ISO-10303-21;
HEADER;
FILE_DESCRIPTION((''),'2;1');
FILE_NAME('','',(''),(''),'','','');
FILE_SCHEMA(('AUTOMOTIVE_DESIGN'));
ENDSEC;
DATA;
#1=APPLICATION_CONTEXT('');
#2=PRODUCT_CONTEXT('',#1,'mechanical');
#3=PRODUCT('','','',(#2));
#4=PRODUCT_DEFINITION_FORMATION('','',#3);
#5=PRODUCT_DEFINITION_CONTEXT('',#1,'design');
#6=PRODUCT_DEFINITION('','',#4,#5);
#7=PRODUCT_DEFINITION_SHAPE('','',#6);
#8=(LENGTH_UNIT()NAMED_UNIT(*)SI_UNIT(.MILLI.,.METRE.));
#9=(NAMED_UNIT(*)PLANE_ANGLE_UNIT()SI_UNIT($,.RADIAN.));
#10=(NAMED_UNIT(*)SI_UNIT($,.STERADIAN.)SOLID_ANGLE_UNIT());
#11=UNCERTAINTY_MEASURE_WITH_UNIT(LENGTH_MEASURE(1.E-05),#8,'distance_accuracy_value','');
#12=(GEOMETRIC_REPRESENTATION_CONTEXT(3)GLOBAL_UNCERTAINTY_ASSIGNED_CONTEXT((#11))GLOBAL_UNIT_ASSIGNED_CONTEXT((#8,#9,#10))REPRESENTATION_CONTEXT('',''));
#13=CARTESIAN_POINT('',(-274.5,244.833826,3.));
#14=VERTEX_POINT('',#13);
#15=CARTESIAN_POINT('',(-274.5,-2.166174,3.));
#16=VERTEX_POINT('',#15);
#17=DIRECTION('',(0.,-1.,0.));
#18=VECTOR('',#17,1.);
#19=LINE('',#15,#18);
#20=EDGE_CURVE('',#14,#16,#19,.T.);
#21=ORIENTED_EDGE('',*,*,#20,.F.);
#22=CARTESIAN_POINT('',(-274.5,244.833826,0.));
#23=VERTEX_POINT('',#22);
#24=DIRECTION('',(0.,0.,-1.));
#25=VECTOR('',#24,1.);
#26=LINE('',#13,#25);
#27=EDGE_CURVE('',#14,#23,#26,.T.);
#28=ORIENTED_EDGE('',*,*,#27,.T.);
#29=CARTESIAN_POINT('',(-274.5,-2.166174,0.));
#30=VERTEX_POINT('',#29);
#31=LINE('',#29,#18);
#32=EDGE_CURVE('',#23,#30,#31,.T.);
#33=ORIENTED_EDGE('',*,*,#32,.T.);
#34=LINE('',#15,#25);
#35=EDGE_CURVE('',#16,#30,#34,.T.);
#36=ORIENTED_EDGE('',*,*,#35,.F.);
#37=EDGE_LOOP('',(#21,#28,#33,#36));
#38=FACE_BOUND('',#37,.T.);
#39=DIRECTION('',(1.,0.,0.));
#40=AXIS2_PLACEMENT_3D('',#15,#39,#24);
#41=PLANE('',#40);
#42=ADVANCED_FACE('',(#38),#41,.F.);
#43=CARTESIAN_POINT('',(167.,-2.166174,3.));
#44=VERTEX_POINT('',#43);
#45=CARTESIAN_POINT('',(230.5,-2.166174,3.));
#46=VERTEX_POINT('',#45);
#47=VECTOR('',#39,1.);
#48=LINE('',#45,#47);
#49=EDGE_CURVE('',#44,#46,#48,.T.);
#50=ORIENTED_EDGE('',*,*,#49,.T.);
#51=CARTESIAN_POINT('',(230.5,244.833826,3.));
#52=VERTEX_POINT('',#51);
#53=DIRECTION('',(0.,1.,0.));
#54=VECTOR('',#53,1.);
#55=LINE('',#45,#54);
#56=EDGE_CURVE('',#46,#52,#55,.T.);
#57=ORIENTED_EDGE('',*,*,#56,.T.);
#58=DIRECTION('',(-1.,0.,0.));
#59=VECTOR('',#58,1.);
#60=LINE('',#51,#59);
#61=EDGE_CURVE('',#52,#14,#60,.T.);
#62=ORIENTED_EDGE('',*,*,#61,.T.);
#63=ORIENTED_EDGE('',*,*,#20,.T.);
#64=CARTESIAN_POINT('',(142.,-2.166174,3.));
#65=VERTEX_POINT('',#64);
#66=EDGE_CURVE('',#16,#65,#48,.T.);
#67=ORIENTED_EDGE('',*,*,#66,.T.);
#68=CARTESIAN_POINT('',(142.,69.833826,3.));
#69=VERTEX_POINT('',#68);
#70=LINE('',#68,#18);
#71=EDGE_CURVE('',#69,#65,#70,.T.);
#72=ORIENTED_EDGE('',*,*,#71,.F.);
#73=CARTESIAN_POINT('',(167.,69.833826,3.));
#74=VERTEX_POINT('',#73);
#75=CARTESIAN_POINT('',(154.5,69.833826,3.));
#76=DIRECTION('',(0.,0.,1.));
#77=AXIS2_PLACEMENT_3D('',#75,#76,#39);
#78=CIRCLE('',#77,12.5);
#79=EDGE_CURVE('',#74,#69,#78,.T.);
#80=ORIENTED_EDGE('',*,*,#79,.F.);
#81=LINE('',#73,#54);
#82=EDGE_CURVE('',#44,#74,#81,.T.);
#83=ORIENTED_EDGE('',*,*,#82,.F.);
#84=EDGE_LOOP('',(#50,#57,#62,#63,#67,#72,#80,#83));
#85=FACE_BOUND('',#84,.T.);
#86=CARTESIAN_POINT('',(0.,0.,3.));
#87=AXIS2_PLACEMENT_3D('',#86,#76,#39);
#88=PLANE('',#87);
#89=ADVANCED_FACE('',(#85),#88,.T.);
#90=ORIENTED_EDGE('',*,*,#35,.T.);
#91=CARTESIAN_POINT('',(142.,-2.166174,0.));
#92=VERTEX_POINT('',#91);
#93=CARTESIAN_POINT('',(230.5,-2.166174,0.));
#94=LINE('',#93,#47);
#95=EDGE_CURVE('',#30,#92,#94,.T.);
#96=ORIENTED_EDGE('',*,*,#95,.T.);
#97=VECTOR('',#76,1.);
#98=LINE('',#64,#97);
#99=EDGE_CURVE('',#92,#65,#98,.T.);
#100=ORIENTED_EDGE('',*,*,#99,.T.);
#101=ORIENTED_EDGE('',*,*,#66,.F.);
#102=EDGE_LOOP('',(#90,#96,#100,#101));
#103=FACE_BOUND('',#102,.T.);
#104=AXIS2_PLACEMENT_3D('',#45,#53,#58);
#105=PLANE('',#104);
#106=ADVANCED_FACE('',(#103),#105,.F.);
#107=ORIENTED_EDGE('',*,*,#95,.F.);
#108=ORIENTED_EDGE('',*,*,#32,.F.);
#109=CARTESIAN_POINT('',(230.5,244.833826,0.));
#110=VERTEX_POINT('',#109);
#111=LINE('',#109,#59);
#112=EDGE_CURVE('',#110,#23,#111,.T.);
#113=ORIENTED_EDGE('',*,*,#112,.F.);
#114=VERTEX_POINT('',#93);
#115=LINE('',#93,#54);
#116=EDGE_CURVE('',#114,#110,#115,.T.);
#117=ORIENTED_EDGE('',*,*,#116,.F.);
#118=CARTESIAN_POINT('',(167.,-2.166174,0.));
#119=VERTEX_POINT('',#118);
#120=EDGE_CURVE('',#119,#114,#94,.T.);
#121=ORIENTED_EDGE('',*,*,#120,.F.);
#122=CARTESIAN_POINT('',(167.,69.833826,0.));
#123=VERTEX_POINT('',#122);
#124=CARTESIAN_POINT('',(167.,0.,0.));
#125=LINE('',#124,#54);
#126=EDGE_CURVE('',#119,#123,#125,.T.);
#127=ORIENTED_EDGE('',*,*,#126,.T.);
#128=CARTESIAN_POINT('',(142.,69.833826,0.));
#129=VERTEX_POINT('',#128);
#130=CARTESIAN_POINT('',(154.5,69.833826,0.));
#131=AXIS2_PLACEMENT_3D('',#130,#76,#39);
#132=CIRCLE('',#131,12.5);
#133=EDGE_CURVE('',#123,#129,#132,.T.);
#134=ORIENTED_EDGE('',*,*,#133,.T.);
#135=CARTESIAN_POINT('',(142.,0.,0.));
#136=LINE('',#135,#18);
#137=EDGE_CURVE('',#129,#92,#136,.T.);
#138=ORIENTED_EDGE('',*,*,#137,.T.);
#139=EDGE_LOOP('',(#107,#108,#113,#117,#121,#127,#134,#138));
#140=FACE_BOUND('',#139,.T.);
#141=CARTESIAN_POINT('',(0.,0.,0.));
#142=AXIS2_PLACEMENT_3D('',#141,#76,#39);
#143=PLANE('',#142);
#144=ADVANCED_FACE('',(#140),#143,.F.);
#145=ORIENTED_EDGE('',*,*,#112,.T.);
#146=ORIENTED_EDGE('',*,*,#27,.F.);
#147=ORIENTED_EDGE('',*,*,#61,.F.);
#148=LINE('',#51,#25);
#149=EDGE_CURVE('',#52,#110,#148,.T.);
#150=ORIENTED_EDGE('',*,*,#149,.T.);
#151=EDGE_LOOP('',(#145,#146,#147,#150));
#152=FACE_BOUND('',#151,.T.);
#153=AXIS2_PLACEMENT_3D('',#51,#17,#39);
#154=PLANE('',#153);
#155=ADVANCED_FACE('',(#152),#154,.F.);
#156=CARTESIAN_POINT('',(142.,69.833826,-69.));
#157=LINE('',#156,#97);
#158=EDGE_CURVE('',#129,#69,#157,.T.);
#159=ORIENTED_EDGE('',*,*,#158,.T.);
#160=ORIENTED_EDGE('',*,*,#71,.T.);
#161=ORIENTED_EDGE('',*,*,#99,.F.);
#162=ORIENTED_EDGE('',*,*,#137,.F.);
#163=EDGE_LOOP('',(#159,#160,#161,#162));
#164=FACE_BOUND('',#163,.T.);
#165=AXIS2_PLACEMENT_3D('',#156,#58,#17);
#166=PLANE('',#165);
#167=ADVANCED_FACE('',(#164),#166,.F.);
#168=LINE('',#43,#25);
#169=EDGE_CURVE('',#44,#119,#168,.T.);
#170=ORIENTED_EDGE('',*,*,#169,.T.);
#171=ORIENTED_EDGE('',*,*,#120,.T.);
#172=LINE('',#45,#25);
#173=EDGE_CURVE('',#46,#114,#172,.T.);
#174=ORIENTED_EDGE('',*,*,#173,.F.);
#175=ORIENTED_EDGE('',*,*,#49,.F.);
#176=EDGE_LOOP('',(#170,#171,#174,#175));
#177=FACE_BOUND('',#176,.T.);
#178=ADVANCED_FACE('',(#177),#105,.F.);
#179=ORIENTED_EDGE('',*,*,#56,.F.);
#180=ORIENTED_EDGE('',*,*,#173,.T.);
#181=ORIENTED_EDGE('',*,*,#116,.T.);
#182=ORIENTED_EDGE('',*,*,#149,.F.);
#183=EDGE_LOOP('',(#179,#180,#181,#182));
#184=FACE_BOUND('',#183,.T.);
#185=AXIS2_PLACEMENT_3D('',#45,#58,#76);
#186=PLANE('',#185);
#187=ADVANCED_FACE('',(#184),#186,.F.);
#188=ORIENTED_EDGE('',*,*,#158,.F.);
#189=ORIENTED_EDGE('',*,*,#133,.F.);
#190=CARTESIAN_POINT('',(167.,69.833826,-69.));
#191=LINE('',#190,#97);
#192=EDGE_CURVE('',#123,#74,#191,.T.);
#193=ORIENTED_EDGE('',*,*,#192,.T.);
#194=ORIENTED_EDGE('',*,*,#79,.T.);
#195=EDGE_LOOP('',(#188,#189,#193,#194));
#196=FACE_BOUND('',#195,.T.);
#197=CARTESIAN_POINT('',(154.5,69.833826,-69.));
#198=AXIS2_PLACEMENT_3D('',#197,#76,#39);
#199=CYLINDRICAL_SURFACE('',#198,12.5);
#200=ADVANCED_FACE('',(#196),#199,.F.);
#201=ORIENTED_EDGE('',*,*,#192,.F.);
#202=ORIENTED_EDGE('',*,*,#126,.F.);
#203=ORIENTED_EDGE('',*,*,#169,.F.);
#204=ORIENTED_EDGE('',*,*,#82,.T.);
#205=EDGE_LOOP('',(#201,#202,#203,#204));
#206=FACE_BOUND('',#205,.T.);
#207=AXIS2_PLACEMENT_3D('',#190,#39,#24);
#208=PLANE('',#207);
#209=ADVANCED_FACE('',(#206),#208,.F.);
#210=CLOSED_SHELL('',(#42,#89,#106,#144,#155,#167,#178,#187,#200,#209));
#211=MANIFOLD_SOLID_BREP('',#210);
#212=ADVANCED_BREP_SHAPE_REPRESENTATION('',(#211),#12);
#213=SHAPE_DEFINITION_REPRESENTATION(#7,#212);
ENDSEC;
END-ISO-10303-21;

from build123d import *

# Parameters (mm, degrees)
ESQUISSE1_W             = 505
ESQUISSE1_H             = 247
BOSS_EXTRU_1_DEPTH      = 3
ENL_V_MAT_EXTRU_2_DEPTH = 72


with BuildPart() as part:
    # Esquisse1 → Boss.-Extru.1 (new body)
    with BuildSketch(Plane.XY):
        with Locations((-22, 121.33382636)):
            Rectangle(ESQUISSE1_W, ESQUISSE1_H)
    extrude(amount=BOSS_EXTRU_1_DEPTH)

    # Esquisse3 → Enlèv. mat.-Extru.2 (cut)
    with BuildSketch(Plane.XY.offset(3)):
        with BuildLine():
            Line((142, 69.83382636), (142, -28.16617364))
            Line((142, -28.16617364), (167, -28.16617364))
            Line((167, -28.16617364), (167, 69.83382636))
            ThreePointArc((167, 69.83382636), (154.5, 82.33382636), (142, 69.83382636))
        make_face()
    extrude(amount=-ENL_V_MAT_EXTRU_2_DEPTH, mode=Mode.SUBTRACT)


solid = part.part
